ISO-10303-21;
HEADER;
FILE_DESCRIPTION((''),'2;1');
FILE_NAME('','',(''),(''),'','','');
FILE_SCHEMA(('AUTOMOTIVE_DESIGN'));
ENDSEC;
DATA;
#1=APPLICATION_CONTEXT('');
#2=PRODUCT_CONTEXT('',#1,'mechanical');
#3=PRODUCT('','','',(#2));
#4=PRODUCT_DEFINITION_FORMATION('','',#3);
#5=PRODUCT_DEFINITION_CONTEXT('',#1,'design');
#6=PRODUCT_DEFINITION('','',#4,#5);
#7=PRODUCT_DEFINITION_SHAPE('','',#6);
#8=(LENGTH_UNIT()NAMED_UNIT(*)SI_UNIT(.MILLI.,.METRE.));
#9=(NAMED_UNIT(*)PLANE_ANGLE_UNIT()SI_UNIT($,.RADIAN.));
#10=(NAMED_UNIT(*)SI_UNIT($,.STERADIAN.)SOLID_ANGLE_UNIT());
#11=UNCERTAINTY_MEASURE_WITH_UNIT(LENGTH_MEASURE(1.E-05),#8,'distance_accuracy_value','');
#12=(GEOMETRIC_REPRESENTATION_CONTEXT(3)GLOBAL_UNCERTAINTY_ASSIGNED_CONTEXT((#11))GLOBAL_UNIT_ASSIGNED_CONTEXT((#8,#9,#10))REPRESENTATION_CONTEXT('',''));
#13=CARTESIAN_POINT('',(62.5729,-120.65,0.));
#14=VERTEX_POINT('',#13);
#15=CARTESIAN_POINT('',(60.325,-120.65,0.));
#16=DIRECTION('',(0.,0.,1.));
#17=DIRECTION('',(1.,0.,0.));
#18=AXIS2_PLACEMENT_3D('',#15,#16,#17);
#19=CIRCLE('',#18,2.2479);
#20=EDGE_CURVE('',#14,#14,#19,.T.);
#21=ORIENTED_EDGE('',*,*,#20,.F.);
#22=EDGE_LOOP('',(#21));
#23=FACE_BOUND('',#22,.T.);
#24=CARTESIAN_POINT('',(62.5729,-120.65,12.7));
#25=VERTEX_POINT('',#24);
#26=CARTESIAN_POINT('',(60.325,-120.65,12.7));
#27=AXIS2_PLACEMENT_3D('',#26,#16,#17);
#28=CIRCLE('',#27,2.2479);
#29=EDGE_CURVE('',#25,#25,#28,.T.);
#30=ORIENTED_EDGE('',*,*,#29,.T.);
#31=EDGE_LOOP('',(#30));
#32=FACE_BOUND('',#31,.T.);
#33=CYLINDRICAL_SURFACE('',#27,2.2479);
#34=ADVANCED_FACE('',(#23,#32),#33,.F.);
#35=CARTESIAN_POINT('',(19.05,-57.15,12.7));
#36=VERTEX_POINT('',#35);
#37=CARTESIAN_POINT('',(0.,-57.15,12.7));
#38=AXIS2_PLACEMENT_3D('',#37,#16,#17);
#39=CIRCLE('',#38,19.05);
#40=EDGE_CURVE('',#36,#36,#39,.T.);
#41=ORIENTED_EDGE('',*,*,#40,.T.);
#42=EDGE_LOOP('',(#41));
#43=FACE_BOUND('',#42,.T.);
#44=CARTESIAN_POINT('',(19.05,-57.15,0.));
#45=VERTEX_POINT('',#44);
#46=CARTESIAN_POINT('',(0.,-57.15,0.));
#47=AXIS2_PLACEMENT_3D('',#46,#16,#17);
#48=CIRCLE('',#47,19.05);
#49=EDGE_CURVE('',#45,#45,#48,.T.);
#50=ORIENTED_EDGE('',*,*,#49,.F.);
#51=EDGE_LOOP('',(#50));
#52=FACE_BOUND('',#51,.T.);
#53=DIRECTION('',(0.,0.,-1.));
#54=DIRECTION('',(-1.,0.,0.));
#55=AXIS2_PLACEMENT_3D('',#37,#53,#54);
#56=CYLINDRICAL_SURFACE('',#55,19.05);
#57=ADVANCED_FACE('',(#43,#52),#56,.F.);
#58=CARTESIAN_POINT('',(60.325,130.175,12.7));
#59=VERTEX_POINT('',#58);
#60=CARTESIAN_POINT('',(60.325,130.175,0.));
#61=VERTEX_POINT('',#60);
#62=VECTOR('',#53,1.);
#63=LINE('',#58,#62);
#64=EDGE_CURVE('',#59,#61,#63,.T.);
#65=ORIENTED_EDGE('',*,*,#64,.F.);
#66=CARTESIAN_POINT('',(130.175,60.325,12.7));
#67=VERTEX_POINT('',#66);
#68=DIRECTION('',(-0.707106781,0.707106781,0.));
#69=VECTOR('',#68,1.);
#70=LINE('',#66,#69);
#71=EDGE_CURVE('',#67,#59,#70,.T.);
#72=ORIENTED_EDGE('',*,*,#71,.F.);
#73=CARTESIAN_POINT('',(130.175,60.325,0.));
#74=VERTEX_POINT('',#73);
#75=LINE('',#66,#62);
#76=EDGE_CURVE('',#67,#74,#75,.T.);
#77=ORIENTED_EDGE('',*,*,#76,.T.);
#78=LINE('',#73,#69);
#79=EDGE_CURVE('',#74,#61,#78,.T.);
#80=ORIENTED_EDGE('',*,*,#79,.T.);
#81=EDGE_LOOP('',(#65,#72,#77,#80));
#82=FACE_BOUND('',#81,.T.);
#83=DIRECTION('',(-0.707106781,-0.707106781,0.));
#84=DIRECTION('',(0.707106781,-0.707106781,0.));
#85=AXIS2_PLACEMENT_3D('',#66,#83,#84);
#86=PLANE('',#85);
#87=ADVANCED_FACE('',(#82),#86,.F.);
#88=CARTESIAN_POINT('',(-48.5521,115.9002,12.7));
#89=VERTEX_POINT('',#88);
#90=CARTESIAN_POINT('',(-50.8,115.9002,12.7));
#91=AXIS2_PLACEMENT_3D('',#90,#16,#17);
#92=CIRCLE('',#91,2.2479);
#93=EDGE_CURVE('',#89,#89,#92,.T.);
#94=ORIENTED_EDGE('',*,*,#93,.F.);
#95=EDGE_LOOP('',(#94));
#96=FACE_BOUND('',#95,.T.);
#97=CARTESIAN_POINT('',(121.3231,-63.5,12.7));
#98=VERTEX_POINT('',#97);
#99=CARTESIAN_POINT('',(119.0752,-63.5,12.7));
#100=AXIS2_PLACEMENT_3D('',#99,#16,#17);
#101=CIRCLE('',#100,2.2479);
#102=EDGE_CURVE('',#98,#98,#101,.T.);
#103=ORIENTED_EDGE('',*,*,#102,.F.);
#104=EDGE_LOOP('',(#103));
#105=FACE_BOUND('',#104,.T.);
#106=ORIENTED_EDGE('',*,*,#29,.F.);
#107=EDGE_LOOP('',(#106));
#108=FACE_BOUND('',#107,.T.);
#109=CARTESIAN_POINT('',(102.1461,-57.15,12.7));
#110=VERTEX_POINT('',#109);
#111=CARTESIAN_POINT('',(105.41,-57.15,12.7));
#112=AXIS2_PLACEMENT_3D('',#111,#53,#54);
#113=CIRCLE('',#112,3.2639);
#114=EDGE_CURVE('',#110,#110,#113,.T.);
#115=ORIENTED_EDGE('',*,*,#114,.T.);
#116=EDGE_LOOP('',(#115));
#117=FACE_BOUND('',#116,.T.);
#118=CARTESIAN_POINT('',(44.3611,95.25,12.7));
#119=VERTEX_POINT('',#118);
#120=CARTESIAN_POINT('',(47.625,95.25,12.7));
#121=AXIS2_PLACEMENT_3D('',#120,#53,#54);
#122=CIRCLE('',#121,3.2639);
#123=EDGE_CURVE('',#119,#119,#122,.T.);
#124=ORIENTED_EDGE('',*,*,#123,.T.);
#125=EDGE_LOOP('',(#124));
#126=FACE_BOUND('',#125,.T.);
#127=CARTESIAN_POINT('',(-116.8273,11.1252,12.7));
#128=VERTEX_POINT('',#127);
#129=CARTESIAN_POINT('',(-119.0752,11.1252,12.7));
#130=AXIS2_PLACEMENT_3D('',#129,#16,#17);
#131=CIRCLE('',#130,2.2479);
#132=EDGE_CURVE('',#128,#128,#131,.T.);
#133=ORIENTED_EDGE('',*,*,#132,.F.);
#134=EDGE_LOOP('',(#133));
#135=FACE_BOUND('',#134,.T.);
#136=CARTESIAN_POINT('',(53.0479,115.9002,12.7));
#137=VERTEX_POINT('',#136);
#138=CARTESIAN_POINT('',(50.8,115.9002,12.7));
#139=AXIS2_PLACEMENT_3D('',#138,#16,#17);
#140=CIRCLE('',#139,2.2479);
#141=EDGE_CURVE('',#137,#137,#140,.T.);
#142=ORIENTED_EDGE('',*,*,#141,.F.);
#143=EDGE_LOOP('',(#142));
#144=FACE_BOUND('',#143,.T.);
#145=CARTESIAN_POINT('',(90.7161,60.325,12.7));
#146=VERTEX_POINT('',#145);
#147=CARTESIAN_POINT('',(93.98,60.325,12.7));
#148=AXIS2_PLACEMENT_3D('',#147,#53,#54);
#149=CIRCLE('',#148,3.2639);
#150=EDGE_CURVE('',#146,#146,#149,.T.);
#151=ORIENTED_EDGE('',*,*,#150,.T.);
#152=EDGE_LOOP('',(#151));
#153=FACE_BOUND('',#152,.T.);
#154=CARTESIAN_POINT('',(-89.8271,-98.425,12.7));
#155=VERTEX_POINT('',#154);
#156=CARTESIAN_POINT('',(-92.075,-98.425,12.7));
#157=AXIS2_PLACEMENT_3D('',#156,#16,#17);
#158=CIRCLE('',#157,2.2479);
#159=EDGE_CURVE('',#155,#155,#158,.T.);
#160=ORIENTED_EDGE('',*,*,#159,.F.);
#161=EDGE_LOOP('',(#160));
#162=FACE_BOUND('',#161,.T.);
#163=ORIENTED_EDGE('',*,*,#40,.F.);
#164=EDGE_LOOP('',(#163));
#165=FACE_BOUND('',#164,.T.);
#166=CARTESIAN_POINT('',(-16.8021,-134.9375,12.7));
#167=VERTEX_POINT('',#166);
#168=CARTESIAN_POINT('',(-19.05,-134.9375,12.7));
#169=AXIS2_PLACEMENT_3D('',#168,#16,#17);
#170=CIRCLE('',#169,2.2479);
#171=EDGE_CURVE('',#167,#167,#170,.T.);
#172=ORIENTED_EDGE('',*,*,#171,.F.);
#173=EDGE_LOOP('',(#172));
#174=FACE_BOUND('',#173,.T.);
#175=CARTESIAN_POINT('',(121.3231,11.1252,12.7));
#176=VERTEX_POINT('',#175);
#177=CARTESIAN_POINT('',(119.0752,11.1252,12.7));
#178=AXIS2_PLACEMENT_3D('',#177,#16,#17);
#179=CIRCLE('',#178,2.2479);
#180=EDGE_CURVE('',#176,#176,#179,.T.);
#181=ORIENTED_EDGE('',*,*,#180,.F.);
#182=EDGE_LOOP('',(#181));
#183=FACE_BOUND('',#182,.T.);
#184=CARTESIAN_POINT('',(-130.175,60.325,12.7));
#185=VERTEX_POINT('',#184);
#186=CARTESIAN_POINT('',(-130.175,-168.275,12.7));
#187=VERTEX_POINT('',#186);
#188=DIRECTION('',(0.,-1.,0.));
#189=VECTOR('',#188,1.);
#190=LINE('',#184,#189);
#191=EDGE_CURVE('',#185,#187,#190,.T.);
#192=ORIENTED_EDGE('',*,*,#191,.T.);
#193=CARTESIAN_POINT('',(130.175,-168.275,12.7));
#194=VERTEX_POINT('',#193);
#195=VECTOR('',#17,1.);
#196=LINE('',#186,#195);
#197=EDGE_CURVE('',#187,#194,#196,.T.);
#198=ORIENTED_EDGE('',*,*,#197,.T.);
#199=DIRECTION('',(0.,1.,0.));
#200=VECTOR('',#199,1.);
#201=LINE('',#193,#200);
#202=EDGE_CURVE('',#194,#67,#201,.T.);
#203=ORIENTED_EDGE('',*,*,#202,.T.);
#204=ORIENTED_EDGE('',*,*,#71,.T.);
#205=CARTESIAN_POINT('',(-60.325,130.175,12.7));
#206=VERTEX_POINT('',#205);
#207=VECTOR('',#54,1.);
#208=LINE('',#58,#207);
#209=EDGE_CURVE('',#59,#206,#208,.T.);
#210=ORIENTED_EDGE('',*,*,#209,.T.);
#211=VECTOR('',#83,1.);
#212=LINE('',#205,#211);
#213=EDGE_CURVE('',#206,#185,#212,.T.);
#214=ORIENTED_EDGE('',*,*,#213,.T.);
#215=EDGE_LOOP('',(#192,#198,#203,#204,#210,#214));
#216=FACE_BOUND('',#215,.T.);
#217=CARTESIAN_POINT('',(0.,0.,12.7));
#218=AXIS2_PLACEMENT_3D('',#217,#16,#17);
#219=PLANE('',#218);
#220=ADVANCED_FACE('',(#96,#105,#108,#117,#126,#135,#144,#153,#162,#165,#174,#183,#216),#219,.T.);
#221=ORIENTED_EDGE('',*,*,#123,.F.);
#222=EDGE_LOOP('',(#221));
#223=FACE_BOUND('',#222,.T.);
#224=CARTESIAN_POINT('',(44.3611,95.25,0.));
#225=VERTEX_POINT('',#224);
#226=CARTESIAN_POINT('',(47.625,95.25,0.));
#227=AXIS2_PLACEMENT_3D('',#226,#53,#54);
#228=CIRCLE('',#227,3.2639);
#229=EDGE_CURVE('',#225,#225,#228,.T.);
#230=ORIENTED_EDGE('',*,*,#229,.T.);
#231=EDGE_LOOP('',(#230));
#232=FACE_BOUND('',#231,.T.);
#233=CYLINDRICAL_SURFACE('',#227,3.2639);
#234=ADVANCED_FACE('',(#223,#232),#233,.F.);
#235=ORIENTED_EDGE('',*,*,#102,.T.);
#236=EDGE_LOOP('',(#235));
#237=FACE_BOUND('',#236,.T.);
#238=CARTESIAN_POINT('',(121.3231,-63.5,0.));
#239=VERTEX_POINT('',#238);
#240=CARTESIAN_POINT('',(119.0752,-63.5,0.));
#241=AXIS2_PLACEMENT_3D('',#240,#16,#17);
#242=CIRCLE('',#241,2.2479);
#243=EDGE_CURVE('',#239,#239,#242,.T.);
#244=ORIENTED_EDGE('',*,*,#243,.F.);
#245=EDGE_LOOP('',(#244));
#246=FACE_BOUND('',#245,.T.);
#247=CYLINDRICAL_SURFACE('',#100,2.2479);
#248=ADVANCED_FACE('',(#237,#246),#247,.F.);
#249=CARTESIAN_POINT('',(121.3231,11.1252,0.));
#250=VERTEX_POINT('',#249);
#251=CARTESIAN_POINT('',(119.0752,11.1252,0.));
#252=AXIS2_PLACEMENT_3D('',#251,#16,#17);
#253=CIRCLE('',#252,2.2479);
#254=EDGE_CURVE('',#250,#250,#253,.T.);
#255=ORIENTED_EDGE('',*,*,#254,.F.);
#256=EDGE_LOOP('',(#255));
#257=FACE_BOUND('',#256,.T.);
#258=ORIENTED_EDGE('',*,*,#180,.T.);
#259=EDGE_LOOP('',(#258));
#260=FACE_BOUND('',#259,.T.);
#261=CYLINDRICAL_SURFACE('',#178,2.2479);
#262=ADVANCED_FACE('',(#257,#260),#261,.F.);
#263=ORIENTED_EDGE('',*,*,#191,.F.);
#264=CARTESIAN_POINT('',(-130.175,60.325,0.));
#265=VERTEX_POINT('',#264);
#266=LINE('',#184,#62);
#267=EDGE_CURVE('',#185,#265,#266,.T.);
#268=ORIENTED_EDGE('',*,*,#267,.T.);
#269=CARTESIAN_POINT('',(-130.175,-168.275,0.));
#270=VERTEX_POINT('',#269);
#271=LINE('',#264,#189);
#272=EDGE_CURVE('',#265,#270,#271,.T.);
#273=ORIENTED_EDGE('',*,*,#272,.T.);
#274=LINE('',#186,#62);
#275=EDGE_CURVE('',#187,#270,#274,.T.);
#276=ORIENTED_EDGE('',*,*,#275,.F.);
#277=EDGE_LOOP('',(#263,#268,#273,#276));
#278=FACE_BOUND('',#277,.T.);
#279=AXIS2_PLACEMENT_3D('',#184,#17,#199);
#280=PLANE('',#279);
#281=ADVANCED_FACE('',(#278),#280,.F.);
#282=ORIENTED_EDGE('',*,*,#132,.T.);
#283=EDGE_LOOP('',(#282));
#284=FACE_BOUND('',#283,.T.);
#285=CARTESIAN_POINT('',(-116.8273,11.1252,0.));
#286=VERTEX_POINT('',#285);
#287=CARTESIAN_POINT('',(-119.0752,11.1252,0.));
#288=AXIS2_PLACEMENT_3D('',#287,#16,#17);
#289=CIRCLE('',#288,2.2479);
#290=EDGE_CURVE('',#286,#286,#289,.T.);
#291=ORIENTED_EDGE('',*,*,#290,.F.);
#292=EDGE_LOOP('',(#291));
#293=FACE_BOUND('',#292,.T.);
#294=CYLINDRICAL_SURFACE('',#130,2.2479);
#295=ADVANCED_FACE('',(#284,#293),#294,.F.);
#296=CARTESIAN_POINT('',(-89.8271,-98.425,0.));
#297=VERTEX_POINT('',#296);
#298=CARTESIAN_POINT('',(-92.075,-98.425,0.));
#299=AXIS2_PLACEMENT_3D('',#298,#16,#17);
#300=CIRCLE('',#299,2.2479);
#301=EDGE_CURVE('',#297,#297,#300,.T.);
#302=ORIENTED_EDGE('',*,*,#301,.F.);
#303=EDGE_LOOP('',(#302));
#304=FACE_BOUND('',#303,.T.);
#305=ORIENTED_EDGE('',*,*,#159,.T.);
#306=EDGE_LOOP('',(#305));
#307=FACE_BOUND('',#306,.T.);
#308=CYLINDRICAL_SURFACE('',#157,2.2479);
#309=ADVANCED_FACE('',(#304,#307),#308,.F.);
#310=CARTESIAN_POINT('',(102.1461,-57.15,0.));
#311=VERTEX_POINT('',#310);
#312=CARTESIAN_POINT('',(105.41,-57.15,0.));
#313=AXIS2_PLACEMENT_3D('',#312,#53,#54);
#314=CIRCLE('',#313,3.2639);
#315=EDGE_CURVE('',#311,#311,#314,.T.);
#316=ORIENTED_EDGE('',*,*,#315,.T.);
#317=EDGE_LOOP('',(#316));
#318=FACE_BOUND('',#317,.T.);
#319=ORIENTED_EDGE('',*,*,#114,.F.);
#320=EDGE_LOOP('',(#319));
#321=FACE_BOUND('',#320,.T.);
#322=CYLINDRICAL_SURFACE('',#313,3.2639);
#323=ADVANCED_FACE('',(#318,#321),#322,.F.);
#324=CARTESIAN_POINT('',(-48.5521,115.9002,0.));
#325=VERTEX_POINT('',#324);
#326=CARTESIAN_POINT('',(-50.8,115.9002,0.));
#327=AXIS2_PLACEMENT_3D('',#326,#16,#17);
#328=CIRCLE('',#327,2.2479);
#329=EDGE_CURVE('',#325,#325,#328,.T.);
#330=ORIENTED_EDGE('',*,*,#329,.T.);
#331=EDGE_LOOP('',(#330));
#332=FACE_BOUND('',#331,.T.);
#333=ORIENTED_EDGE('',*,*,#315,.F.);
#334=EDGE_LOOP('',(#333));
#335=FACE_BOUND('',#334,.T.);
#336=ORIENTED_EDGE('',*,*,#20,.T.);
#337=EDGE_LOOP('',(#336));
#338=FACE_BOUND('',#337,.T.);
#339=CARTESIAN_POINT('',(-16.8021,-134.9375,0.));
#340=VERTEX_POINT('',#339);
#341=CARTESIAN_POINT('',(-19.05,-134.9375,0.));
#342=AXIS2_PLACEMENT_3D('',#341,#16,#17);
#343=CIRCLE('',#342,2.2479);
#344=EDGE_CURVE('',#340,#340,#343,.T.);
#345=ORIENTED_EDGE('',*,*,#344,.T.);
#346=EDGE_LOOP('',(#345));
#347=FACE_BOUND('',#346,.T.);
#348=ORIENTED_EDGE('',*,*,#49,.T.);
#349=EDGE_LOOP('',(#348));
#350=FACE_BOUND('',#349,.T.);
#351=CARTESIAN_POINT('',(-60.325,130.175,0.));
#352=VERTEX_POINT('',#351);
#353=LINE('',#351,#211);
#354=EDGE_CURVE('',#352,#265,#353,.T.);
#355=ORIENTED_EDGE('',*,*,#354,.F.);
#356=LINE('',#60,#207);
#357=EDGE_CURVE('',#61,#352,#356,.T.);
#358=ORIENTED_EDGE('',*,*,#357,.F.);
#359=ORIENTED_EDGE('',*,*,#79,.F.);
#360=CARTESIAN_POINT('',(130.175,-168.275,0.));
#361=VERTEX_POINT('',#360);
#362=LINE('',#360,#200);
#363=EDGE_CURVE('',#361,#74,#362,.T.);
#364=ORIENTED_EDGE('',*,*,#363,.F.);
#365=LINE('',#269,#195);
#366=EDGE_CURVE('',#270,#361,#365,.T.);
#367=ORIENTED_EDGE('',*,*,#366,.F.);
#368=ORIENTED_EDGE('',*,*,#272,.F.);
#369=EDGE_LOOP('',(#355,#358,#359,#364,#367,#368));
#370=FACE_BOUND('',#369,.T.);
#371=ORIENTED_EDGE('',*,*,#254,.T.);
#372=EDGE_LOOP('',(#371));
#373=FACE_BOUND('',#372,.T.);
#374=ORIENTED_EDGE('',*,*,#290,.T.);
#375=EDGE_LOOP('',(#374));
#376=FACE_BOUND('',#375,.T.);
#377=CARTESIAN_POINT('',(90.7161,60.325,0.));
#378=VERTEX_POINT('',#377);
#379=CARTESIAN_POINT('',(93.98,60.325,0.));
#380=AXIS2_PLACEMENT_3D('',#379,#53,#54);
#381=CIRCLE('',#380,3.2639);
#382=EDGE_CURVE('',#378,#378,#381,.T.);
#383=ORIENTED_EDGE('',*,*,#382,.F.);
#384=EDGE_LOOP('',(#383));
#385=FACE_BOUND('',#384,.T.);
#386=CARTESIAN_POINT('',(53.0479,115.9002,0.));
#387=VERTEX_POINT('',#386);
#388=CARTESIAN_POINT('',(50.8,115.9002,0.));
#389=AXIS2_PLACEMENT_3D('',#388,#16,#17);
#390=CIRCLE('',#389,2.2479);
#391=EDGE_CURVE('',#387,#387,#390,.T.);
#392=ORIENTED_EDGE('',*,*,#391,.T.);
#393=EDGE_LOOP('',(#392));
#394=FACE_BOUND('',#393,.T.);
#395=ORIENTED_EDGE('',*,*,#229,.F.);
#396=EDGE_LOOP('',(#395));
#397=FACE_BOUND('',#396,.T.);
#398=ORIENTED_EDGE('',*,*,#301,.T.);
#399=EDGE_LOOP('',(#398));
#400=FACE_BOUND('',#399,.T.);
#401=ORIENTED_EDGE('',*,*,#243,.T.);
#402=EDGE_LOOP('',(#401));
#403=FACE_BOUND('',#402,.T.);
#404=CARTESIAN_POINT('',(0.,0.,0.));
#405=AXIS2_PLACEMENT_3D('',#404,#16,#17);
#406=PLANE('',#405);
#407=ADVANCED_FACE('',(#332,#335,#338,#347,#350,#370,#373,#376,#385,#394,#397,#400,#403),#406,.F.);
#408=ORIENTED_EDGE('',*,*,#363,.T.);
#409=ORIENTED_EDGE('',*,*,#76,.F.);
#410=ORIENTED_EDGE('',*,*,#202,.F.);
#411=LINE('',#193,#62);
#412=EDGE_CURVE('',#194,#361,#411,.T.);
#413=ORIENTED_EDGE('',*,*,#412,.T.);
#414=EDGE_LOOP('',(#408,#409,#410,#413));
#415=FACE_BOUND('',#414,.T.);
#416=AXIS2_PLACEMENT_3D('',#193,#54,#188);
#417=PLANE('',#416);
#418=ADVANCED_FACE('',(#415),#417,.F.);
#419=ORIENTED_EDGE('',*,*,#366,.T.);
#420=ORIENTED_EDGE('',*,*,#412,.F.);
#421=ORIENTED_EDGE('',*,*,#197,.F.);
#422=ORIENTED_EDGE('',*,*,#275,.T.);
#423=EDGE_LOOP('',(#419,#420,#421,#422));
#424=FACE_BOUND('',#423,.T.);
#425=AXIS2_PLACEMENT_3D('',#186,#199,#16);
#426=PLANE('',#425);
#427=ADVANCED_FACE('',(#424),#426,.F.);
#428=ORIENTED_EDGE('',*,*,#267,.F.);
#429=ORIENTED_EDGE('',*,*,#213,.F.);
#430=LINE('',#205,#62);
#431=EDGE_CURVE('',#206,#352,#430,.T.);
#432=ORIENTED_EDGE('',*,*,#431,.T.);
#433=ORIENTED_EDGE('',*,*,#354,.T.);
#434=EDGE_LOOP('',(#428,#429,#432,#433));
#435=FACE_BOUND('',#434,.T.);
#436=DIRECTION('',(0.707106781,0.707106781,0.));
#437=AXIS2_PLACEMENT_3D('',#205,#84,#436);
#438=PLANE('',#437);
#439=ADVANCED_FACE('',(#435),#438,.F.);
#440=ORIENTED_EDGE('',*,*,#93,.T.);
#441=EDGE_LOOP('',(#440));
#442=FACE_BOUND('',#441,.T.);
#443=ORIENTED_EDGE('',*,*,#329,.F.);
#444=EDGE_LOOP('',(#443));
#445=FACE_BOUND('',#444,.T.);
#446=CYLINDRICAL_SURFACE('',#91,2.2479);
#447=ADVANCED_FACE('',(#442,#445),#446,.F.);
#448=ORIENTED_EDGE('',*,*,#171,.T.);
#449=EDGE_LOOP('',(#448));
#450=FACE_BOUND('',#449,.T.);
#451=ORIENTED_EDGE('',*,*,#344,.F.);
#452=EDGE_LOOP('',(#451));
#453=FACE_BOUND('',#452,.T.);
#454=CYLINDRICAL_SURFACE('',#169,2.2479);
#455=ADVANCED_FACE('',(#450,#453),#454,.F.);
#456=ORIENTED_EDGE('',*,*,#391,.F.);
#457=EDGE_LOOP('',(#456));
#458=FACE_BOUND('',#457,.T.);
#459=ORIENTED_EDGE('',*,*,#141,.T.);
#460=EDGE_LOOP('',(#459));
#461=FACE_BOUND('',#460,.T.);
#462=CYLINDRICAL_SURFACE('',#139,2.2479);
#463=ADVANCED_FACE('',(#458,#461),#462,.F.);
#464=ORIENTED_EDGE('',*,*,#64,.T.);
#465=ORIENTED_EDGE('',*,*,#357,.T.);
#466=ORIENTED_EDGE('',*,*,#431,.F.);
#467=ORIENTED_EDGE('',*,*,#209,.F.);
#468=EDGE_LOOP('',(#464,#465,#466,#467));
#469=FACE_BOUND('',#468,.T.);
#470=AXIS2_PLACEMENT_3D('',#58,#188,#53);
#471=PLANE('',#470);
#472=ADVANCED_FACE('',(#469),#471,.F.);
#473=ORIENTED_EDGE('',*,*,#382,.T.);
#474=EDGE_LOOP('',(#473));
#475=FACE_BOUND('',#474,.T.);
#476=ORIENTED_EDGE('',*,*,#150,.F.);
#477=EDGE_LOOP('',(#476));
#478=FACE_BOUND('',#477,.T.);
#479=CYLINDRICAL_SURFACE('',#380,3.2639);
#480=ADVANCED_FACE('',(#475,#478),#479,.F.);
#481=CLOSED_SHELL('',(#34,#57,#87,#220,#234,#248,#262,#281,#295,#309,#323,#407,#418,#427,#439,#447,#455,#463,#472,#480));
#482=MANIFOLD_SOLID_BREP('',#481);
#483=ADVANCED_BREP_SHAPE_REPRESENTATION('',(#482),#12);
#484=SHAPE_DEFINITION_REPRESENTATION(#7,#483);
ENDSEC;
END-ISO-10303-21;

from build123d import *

# Parameters (mm, degrees)
BOSS_EXTRUDE1_DEPTH         = 12.7
SKETCH2_R                   = 19.05
CUT_EXTRUDE1_DEPTH          = 214.127417875
F_16_0_177_DIAMETER_HOLE1_D = 4.4958
F_0_257_DIAMETER_HOLE1_D    = 6.5278


with BuildPart() as part:
    # Sketch1 → Boss-Extrude1 (new body)
    with BuildSketch(Plane.XY):
        Polygon((-130.175, -168.275), (130.175, -168.275), (130.175, 60.325), (60.325, 130.175), (-60.325, 130.175), (-130.175, 60.325), align=None)
    extrude(amount=BOSS_EXTRUDE1_DEPTH)

    # Sketch2 → Cut-Extrude1 (cut, through all)
    with BuildSketch(Plane.XY):
        with Locations((0, -57.15)):
            Circle(SKETCH2_R)
    extrude(amount=CUT_EXTRUDE1_DEPTH, mode=Mode.SUBTRACT)

    # #16 (0.177) Diameter Hole1 (through all)
    with Locations(Plane.XY.offset(12.7)):
        with Locations((-50.8, 115.9002), (50.8, 115.9002), (119.0752, 11.1252), (119.0752, -63.5), (60.325, -120.65), (-19.05, -134.9375), (-92.075, -98.425), (-119.0752, 11.1252)):
            Hole(F_16_0_177_DIAMETER_HOLE1_D / 2)

    # F (0.257) Diameter Hole1 (through all)
    with Locations(Plane(origin=(0, 0, 0), x_dir=(-1, 0, 0), z_dir=(0, 0, -1))):
        with Locations((-105.41, -57.15), (-93.98, 60.325), (-47.625, 95.25)):
            Hole(F_0_257_DIAMETER_HOLE1_D / 2)


solid = part.part
